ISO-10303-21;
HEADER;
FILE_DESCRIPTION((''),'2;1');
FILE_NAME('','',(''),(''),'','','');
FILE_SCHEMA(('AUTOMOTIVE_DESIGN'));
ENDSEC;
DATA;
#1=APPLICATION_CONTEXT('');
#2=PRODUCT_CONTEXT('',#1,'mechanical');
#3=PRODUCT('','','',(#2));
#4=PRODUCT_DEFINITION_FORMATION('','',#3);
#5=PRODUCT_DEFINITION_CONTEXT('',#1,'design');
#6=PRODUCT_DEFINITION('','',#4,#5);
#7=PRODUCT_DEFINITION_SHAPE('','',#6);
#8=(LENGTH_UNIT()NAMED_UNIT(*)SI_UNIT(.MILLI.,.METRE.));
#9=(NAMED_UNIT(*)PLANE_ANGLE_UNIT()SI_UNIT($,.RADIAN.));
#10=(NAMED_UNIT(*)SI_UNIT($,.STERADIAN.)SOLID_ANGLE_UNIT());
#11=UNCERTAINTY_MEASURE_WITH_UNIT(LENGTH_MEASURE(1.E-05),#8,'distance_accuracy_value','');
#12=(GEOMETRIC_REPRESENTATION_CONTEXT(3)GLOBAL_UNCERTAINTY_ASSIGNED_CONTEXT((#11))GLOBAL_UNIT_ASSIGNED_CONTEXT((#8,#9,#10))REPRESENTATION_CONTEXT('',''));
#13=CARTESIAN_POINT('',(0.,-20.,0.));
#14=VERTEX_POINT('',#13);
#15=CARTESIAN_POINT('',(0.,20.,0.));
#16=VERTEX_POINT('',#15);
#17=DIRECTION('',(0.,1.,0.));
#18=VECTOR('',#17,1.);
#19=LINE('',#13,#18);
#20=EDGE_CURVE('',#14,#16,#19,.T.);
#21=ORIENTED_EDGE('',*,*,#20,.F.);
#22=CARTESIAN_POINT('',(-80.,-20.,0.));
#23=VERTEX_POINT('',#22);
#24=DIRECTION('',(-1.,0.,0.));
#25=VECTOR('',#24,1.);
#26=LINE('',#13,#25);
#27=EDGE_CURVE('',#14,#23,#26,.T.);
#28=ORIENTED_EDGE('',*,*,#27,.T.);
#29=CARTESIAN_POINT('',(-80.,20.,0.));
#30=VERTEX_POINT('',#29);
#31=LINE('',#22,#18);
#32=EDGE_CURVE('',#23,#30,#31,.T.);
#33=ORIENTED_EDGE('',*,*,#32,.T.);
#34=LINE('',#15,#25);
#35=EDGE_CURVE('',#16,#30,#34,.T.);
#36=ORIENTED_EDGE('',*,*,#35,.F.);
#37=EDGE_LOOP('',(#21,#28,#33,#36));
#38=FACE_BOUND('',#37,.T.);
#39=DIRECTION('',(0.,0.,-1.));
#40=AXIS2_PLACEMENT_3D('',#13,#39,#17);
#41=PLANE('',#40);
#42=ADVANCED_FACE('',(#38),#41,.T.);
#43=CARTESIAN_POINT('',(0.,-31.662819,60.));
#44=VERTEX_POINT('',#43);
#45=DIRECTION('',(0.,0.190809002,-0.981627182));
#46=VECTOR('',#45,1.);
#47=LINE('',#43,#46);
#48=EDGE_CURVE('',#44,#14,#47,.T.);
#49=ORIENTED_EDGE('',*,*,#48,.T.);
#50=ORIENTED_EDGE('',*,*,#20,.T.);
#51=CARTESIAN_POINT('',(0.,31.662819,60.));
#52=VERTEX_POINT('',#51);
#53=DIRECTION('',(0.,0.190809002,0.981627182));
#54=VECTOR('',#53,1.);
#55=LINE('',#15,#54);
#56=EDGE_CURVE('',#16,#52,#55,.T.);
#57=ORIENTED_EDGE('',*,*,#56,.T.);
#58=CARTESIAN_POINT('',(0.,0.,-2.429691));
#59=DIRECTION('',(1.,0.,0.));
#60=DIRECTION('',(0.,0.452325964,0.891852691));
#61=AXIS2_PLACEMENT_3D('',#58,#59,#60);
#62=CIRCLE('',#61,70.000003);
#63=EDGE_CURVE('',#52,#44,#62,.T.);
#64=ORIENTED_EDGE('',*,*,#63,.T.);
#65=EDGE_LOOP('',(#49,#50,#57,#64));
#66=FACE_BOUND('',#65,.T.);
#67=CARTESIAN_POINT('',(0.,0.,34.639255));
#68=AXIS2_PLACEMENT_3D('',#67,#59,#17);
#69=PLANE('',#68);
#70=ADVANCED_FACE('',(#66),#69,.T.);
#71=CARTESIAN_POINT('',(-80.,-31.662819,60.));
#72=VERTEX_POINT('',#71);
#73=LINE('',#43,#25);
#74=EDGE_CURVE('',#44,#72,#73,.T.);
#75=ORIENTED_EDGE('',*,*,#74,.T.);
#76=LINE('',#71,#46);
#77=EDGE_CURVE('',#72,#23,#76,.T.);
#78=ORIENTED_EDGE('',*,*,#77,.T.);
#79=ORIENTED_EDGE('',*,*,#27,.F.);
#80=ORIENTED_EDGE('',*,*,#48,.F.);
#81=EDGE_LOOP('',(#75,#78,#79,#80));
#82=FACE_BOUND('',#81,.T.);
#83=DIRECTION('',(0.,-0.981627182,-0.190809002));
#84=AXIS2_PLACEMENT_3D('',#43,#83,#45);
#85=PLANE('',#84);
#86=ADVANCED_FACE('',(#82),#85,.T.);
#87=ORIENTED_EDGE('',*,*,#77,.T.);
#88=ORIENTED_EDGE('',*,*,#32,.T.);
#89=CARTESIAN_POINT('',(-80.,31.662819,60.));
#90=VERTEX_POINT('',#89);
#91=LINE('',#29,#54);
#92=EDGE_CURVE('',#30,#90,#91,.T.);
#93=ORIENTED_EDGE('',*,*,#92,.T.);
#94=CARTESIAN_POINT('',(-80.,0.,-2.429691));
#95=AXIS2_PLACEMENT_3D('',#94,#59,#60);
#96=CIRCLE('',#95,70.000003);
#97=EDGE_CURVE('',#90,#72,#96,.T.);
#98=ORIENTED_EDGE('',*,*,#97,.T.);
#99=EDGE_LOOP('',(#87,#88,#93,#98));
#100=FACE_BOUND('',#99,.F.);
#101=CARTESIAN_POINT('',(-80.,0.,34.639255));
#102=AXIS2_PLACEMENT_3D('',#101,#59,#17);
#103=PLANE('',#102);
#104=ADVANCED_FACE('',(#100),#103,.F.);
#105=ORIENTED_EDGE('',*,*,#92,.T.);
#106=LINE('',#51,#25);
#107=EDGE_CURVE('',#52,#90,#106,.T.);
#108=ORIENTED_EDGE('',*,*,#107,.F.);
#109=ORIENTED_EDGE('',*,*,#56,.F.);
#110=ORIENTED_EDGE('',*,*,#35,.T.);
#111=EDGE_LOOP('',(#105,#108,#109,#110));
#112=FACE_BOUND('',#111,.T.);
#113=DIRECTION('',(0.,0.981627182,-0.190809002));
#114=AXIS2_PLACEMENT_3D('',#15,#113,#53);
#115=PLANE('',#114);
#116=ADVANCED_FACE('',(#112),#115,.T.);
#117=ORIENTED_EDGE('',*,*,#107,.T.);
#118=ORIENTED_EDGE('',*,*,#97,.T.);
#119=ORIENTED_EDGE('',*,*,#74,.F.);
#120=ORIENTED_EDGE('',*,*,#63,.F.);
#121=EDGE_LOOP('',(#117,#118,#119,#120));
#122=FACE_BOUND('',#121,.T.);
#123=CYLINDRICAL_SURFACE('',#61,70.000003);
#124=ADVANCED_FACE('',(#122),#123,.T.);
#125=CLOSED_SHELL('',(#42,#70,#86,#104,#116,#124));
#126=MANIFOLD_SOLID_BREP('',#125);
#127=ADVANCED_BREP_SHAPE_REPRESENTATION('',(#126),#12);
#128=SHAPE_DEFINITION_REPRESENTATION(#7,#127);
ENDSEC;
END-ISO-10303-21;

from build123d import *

# Parameters (mm, degrees)
F1_DEPTH = 80


with BuildPart() as f1:
    # F0 (on Right) → F1 (new body)
    with BuildSketch(Plane.YZ):
        with BuildLine():
            Line((20, 0), (31.662819, 60))
            ThreePointArc((31.662819, 60), (0, 67.570312), (-31.662819, 60))
            Line((-31.662819, 60), (-20, 0))
            Line((-20, 0), (20, 0))
        make_face()
    extrude(amount=-F1_DEPTH)


solid = f1.part
